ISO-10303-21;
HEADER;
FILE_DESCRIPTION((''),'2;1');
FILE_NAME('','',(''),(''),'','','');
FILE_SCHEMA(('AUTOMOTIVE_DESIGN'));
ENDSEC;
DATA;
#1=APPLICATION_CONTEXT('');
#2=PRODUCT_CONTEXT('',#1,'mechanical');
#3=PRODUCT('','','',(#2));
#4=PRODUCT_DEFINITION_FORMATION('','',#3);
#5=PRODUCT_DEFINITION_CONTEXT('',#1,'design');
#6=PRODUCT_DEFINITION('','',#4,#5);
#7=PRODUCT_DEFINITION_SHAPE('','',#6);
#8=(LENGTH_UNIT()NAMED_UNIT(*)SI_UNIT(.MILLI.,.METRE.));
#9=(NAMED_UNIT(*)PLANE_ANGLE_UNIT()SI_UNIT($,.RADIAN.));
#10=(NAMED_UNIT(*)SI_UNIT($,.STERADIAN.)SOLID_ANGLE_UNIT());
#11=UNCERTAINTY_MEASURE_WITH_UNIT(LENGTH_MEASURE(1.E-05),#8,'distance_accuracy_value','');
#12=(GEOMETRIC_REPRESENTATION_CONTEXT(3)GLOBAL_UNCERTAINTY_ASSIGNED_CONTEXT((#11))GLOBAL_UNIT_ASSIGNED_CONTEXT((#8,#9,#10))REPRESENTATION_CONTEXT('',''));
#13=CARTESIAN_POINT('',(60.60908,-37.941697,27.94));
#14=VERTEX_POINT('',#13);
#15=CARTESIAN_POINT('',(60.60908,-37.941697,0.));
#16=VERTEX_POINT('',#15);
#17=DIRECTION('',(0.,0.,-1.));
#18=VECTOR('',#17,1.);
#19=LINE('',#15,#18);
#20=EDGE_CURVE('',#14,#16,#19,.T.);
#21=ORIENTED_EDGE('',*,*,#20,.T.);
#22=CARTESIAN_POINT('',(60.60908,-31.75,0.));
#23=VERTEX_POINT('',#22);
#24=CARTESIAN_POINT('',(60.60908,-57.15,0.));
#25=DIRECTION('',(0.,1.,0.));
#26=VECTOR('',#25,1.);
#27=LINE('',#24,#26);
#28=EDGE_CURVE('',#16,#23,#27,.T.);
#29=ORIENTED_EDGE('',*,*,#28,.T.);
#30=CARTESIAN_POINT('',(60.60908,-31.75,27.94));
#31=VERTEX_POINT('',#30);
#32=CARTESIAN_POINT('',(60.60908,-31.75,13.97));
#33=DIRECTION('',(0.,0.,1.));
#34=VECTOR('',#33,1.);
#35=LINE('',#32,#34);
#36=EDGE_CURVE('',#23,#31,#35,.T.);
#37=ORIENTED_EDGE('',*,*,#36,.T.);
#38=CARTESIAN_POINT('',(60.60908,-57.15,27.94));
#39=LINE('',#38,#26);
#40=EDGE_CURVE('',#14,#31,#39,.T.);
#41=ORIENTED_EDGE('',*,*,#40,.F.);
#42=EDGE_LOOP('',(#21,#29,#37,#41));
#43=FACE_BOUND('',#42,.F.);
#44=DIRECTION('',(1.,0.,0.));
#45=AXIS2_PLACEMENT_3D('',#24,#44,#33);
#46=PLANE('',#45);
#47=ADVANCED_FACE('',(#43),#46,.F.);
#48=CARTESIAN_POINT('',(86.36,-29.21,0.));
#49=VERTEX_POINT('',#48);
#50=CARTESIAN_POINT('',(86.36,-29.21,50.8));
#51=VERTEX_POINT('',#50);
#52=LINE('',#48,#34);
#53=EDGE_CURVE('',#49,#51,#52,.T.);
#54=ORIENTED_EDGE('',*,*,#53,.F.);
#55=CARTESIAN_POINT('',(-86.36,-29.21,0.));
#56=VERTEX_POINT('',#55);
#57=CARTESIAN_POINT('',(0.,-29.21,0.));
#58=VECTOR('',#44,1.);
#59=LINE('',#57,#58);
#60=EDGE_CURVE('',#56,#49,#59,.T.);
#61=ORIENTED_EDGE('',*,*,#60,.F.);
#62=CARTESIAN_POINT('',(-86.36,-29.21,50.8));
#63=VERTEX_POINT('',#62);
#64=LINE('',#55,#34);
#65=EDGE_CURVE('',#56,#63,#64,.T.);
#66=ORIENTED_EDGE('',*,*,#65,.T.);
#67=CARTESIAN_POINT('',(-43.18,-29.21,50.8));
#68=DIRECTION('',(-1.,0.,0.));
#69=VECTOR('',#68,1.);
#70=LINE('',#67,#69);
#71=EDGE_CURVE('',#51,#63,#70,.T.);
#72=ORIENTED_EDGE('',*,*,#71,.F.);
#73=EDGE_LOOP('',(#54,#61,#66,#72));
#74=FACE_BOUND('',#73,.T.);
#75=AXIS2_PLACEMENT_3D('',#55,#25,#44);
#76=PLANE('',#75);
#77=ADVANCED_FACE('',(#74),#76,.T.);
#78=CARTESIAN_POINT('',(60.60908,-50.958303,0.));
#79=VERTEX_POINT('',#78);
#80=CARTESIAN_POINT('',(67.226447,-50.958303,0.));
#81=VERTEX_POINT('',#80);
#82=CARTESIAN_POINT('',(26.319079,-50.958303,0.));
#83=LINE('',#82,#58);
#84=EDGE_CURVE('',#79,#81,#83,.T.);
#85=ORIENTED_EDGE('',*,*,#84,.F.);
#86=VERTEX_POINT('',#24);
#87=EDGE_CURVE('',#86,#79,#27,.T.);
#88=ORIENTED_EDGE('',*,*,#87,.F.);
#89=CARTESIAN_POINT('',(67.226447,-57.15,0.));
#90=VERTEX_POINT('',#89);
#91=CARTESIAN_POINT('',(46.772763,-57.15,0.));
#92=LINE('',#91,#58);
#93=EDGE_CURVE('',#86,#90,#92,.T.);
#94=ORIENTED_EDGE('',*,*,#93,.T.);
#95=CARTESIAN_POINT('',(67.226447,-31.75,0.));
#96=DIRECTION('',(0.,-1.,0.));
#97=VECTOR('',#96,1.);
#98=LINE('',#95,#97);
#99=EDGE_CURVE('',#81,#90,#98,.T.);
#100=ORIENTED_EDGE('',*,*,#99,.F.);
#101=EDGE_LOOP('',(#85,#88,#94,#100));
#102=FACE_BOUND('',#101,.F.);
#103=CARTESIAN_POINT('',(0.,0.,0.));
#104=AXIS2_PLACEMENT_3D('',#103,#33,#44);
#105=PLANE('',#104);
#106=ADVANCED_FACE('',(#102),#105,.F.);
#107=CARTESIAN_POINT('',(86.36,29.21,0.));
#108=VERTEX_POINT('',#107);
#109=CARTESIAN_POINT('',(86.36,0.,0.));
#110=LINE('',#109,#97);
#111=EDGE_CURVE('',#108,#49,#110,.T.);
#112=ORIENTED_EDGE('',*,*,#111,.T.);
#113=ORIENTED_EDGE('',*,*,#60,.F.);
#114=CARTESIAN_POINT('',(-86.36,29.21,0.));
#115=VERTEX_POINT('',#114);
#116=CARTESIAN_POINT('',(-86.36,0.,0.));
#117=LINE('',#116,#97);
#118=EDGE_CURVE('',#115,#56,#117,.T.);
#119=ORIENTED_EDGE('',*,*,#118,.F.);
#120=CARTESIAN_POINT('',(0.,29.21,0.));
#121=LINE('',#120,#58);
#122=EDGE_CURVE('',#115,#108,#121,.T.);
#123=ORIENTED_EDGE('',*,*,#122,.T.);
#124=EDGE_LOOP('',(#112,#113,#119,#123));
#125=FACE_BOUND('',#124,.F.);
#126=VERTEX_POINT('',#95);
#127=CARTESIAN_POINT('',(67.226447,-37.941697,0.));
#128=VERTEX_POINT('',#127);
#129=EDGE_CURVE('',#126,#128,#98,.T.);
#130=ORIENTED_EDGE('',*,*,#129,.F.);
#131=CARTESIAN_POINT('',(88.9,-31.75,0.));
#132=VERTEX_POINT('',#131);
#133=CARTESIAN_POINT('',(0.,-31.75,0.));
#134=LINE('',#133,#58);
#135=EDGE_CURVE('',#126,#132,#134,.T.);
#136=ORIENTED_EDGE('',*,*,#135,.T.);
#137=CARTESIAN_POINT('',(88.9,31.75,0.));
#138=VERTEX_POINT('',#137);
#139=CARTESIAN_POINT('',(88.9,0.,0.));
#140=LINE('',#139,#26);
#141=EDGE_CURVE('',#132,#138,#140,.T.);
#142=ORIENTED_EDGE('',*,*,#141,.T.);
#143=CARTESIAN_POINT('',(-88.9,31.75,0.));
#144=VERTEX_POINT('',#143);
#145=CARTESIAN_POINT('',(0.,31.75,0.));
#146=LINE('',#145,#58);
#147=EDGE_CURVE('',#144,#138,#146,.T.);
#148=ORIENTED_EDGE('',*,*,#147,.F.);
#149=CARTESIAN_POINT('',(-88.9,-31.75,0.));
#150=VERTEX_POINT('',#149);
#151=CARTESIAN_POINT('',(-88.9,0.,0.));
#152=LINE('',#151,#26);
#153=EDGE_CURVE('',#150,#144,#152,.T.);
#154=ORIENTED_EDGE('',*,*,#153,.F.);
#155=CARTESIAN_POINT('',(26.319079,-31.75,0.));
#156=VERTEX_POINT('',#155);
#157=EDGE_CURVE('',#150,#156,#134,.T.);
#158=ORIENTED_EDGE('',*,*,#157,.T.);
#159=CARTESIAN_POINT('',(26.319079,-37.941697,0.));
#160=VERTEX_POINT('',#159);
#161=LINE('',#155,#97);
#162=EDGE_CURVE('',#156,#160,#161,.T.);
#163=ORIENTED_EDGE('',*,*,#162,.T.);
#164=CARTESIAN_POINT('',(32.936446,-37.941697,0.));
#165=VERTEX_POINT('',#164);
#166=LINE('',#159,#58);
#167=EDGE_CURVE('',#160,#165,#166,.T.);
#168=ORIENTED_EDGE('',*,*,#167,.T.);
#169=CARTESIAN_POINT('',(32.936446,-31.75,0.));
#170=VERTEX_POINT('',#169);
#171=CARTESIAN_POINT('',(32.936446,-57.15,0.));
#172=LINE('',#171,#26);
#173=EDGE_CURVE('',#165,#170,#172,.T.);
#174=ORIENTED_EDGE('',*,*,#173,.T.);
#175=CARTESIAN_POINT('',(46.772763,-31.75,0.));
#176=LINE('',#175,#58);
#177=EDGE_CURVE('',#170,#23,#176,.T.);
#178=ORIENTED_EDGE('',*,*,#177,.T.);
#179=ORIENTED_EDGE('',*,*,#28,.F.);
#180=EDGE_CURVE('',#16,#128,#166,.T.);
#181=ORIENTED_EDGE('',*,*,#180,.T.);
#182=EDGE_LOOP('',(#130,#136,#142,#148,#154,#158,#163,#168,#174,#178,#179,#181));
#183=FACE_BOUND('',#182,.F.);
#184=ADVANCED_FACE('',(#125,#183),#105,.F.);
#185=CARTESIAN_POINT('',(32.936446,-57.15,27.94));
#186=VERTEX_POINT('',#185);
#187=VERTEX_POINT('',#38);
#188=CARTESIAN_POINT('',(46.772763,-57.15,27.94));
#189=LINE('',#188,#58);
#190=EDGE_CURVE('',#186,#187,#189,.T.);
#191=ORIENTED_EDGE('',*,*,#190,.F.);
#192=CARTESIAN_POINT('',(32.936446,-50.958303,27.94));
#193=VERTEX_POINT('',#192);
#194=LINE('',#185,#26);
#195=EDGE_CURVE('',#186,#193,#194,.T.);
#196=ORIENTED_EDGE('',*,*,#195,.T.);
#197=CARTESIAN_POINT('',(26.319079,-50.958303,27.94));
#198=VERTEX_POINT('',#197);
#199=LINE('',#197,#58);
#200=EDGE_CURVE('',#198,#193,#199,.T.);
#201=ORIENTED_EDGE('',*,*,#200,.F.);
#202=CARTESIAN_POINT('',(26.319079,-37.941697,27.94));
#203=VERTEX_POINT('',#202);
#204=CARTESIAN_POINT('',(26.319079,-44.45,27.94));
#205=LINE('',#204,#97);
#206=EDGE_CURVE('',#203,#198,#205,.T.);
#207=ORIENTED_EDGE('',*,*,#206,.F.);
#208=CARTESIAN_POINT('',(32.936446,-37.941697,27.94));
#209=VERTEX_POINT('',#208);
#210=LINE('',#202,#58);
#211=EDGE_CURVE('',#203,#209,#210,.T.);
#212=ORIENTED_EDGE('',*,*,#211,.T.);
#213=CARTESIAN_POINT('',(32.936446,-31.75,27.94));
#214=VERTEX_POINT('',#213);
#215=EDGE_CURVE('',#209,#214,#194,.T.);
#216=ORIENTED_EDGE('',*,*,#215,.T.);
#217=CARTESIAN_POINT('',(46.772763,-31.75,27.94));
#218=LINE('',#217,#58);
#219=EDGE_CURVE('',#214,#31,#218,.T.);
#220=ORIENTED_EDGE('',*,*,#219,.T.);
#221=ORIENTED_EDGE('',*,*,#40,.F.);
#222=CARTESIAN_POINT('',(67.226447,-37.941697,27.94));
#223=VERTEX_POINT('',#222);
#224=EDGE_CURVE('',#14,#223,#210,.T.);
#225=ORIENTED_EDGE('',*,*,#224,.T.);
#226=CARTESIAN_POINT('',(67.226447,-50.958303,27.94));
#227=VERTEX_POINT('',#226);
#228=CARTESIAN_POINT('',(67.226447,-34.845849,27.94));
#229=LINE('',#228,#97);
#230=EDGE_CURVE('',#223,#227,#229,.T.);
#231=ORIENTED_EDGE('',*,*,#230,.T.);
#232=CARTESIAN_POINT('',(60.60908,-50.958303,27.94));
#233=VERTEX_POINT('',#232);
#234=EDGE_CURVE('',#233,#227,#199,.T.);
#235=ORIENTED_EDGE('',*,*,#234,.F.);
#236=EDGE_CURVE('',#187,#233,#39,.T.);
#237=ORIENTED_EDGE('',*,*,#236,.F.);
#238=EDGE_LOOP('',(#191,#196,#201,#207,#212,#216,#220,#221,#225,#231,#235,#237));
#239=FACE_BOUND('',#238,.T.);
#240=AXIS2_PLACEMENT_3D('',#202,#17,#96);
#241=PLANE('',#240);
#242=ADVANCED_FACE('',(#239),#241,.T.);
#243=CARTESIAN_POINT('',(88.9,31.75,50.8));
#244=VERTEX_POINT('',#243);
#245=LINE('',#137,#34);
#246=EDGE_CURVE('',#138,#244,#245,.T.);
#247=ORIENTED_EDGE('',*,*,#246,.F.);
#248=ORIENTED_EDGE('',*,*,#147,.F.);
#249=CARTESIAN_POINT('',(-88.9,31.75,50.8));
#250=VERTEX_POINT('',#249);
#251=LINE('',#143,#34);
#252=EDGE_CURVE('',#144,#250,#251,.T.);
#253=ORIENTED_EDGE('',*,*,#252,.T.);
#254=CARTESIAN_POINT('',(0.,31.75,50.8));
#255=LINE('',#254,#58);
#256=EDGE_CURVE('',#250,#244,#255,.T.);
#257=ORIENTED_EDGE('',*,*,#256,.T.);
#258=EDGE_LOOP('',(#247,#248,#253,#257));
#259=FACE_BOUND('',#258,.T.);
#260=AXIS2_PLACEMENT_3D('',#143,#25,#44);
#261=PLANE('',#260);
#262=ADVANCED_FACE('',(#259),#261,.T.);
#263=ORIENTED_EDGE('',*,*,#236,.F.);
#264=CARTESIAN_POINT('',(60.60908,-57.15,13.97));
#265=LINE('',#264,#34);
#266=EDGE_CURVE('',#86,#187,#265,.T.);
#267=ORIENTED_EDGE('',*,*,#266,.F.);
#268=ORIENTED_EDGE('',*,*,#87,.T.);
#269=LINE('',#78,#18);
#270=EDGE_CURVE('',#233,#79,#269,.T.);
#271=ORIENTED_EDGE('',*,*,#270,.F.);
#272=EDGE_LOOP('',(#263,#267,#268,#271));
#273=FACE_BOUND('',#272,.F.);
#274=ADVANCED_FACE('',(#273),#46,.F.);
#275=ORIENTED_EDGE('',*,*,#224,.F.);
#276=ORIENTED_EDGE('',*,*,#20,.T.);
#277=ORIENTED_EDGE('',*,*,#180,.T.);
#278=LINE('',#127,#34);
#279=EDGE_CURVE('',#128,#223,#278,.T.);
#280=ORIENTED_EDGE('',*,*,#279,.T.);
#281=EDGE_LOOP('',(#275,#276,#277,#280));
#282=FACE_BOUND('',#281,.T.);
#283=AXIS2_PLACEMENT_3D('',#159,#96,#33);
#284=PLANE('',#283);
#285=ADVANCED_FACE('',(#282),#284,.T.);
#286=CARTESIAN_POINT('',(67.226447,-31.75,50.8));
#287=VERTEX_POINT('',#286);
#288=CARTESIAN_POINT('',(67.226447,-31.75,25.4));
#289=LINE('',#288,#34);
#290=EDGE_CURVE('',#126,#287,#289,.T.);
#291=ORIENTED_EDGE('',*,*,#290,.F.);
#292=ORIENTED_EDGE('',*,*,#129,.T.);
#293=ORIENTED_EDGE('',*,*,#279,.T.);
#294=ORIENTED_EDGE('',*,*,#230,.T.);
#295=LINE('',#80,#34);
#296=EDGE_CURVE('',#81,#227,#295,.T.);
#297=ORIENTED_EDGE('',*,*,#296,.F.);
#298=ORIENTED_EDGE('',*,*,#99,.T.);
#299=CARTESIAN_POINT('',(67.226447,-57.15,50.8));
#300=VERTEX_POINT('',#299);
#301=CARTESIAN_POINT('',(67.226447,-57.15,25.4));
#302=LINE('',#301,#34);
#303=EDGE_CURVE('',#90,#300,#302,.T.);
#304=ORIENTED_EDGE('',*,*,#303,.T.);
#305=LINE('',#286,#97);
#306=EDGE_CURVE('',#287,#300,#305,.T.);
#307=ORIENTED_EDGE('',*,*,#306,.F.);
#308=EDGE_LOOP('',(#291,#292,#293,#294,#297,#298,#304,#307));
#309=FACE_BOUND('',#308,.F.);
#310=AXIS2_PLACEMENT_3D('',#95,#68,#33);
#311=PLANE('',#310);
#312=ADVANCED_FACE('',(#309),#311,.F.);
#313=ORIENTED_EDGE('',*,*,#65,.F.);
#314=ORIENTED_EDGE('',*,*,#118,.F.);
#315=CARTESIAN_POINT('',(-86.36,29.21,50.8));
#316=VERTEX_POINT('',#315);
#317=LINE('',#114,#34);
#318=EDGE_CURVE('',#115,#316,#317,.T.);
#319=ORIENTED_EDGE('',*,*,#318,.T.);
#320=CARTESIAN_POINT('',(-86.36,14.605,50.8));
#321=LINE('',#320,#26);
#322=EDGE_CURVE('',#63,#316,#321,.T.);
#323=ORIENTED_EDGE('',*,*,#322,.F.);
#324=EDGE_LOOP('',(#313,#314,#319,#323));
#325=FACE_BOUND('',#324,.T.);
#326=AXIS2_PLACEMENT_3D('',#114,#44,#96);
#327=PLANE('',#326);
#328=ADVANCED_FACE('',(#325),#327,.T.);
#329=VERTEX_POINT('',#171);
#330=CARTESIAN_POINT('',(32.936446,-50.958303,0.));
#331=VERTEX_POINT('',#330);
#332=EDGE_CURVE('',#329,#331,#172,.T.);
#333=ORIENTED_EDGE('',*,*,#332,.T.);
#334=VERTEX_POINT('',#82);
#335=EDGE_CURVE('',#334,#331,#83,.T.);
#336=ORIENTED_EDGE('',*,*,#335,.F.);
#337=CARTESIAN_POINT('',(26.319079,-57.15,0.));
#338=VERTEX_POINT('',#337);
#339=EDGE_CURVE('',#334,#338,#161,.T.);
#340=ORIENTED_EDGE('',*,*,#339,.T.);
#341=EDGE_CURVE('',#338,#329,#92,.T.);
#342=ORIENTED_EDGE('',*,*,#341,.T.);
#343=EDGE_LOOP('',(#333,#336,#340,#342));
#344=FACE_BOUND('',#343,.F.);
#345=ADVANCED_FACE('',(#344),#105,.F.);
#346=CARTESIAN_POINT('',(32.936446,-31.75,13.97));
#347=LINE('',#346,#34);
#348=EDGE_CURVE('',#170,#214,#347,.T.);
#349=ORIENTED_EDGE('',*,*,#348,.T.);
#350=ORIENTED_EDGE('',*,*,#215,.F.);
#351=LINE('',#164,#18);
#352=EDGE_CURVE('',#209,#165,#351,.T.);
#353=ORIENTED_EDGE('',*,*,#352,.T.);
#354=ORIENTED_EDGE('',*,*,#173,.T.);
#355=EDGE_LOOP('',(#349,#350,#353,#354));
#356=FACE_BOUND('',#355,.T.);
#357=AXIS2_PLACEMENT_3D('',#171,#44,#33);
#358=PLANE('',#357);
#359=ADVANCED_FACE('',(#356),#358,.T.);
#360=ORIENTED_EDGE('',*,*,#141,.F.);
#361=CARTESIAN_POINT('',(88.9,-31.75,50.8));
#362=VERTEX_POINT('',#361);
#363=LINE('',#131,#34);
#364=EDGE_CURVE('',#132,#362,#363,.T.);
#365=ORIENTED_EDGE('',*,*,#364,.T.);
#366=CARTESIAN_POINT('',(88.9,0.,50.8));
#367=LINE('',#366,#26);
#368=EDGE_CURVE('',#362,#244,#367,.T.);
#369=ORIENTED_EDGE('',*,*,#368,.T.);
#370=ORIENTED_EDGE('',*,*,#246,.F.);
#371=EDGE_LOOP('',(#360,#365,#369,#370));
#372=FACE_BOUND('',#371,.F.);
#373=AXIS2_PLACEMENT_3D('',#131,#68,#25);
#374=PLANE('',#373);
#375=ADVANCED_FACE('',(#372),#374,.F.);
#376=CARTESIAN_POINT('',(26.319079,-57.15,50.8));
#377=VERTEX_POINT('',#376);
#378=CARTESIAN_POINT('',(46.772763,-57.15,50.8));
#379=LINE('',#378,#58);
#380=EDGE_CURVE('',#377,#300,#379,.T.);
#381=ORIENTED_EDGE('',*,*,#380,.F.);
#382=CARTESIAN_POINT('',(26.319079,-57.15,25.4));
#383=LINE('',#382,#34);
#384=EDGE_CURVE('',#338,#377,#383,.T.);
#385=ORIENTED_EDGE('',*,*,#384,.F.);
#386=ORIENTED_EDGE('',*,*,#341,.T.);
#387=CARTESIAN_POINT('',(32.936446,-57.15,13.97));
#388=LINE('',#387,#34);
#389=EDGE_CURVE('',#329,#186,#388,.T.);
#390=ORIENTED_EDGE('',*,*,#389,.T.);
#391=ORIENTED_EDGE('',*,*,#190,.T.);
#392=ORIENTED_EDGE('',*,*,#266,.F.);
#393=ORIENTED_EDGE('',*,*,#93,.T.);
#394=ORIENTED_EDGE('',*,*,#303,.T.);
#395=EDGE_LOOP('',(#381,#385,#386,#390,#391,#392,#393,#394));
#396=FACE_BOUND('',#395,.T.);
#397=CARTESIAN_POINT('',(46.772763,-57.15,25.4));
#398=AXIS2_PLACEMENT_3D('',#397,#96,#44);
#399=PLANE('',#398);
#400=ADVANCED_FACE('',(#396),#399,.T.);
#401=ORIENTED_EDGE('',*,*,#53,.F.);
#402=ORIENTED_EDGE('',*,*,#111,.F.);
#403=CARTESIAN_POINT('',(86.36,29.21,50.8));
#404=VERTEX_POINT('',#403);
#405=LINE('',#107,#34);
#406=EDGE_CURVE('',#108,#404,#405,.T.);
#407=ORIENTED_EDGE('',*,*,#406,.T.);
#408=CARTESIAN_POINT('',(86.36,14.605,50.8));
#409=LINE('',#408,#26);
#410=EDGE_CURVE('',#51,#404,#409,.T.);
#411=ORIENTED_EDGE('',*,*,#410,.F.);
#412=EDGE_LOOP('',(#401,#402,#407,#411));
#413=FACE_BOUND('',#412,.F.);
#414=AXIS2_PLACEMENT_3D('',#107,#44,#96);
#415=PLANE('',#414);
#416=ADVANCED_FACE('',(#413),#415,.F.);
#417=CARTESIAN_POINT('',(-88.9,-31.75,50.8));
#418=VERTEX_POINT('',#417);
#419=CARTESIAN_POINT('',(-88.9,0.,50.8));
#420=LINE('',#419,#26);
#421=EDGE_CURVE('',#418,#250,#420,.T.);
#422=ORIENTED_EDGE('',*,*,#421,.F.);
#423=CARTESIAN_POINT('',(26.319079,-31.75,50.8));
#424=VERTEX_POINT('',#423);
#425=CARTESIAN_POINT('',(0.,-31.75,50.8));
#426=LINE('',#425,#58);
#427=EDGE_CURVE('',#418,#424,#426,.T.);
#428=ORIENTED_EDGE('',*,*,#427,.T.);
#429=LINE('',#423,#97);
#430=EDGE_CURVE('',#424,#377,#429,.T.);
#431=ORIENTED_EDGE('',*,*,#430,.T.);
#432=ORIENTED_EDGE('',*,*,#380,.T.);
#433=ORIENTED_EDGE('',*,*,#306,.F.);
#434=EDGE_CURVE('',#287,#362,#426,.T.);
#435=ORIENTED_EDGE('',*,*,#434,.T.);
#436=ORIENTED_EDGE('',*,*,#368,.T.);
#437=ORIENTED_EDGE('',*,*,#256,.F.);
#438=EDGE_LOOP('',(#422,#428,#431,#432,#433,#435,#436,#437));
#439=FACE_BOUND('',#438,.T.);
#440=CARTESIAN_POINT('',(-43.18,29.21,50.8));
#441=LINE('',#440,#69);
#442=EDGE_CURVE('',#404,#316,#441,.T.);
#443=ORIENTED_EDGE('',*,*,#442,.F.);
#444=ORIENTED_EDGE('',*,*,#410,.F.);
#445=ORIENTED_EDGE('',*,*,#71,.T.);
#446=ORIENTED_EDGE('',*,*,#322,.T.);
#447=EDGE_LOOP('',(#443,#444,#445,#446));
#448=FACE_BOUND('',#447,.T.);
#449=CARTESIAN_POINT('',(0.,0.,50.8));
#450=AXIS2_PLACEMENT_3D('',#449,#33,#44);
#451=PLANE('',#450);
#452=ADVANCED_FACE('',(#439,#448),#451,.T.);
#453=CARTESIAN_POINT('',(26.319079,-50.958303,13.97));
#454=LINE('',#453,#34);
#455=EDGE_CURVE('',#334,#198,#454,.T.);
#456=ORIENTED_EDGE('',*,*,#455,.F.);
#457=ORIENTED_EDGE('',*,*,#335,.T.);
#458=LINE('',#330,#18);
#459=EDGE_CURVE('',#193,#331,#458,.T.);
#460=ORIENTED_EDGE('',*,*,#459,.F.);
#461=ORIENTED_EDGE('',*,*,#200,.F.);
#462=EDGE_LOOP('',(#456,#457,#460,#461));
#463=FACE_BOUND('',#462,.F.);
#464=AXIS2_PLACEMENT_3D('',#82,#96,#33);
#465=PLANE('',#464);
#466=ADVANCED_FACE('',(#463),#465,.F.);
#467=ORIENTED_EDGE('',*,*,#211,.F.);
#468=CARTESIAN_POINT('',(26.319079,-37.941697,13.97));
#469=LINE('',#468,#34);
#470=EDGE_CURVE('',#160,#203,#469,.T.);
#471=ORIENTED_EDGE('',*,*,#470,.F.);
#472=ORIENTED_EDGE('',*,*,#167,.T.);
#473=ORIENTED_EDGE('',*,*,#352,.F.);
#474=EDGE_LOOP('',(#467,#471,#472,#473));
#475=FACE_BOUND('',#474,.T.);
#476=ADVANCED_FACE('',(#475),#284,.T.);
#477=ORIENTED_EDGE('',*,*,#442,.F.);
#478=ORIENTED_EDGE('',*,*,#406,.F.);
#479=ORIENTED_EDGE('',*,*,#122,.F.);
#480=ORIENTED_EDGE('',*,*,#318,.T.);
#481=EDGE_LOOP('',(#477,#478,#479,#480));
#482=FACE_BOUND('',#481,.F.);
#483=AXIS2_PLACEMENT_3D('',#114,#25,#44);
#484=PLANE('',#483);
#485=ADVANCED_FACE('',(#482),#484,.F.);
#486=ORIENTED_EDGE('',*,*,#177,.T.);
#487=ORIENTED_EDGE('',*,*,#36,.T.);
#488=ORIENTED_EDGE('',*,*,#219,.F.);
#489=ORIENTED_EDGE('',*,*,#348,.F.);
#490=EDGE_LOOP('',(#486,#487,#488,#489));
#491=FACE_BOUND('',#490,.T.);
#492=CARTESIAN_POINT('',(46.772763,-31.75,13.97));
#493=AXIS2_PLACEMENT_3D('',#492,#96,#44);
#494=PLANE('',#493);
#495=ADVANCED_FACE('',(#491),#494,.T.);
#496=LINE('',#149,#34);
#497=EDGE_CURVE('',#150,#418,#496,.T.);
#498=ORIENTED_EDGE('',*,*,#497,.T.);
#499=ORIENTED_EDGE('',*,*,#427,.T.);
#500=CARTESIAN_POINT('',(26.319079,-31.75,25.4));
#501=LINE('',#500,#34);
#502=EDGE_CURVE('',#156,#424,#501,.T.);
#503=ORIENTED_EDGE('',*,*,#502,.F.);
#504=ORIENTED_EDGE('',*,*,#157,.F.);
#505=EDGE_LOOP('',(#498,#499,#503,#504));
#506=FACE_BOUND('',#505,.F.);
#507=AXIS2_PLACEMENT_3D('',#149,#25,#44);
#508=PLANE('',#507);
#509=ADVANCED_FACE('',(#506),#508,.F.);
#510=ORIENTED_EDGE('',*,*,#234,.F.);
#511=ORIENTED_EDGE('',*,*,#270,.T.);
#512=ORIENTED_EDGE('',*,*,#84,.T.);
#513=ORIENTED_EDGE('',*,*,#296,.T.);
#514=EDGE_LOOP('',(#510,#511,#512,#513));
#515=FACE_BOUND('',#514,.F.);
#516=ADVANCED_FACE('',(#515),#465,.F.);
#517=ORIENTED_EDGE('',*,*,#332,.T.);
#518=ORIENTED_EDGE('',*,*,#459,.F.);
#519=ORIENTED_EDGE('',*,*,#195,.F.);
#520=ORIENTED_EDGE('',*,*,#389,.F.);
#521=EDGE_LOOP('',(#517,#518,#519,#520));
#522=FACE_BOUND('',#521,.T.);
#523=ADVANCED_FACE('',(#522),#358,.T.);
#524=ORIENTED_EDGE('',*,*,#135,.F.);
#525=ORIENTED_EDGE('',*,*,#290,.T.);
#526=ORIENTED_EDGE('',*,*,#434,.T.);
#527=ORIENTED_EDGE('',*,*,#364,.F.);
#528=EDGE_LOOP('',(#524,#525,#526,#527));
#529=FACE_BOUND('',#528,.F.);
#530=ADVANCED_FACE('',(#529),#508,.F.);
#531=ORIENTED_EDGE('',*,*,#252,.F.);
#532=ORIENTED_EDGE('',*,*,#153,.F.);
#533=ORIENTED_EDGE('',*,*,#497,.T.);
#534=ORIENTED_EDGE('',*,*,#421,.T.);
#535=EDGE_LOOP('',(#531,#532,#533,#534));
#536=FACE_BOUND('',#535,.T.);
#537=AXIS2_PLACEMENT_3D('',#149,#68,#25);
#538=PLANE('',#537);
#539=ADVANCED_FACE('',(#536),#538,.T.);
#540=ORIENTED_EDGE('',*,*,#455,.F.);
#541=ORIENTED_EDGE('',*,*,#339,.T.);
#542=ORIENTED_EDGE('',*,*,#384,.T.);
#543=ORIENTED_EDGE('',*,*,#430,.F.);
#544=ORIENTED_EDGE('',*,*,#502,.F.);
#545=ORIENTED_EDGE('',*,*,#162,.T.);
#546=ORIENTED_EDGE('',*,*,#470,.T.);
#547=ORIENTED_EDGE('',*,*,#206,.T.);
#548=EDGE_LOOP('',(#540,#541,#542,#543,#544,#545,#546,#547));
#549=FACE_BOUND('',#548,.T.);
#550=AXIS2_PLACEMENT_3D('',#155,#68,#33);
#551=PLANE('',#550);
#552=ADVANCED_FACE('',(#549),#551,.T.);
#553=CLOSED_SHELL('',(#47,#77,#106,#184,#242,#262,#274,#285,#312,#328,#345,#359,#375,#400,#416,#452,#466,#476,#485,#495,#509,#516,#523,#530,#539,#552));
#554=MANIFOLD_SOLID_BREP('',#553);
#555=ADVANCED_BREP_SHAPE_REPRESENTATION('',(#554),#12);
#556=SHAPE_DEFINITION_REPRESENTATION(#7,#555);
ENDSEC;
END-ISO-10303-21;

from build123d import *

# Parameters (mm, degrees)
F0_W     = 177.8
F0_H     = 63.5
F1_DEPTH = 50.8
F2_W     = 40.907368
F2_H     = 50.8
F3_DEPTH = 25.4
F4_W     = 27.672634
F4_H     = 27.94
F5_DEPTH = 25.4
F6_W     = 13.016606
F6_H     = 27.94
F7_DEPTH = 45.466
F8_W     = 172.72
F8_H     = 58.42
F9_DEPTH = 74.93


with BuildPart() as f1:
    # F0 (on Top) → F1 (new body)
    with BuildSketch(Plane.XY):
        Rectangle(F0_W, F0_H)
    extrude(amount=F1_DEPTH)

    # F2 (on face) → F3 (join)
    with BuildSketch(Plane.XZ.offset(31.75)):
        with Locations((46.772763, 25.4)):
            Rectangle(F2_W, F2_H)
    extrude(amount=F3_DEPTH)

    # F4 (on face) → F5 (cut)
    with BuildSketch(Plane.XZ.offset(57.15)):
        with Locations((46.772763, 13.97)):
            Rectangle(F4_W, F4_H)
    extrude(amount=-F5_DEPTH, mode=Mode.SUBTRACT)

    # F6 (on face) → F7 (cut)
    with BuildSketch(Plane(origin=(26.319079, 0, 0), x_dir=(0, -1, 0), z_dir=(-1, 0, 0))):
        with Locations((44.45, 13.97)):
            Rectangle(F6_W, F6_H)
    extrude(amount=-F7_DEPTH, mode=Mode.SUBTRACT)

    # F8 (on face) → F9 (cut)
    with BuildSketch(Plane(origin=(0, 0, 0), x_dir=(1, 0, 0), z_dir=(0, 0, -1))):
        Rectangle(F8_W, F8_H)
    extrude(amount=-F9_DEPTH, mode=Mode.SUBTRACT)


solid = f1.part
